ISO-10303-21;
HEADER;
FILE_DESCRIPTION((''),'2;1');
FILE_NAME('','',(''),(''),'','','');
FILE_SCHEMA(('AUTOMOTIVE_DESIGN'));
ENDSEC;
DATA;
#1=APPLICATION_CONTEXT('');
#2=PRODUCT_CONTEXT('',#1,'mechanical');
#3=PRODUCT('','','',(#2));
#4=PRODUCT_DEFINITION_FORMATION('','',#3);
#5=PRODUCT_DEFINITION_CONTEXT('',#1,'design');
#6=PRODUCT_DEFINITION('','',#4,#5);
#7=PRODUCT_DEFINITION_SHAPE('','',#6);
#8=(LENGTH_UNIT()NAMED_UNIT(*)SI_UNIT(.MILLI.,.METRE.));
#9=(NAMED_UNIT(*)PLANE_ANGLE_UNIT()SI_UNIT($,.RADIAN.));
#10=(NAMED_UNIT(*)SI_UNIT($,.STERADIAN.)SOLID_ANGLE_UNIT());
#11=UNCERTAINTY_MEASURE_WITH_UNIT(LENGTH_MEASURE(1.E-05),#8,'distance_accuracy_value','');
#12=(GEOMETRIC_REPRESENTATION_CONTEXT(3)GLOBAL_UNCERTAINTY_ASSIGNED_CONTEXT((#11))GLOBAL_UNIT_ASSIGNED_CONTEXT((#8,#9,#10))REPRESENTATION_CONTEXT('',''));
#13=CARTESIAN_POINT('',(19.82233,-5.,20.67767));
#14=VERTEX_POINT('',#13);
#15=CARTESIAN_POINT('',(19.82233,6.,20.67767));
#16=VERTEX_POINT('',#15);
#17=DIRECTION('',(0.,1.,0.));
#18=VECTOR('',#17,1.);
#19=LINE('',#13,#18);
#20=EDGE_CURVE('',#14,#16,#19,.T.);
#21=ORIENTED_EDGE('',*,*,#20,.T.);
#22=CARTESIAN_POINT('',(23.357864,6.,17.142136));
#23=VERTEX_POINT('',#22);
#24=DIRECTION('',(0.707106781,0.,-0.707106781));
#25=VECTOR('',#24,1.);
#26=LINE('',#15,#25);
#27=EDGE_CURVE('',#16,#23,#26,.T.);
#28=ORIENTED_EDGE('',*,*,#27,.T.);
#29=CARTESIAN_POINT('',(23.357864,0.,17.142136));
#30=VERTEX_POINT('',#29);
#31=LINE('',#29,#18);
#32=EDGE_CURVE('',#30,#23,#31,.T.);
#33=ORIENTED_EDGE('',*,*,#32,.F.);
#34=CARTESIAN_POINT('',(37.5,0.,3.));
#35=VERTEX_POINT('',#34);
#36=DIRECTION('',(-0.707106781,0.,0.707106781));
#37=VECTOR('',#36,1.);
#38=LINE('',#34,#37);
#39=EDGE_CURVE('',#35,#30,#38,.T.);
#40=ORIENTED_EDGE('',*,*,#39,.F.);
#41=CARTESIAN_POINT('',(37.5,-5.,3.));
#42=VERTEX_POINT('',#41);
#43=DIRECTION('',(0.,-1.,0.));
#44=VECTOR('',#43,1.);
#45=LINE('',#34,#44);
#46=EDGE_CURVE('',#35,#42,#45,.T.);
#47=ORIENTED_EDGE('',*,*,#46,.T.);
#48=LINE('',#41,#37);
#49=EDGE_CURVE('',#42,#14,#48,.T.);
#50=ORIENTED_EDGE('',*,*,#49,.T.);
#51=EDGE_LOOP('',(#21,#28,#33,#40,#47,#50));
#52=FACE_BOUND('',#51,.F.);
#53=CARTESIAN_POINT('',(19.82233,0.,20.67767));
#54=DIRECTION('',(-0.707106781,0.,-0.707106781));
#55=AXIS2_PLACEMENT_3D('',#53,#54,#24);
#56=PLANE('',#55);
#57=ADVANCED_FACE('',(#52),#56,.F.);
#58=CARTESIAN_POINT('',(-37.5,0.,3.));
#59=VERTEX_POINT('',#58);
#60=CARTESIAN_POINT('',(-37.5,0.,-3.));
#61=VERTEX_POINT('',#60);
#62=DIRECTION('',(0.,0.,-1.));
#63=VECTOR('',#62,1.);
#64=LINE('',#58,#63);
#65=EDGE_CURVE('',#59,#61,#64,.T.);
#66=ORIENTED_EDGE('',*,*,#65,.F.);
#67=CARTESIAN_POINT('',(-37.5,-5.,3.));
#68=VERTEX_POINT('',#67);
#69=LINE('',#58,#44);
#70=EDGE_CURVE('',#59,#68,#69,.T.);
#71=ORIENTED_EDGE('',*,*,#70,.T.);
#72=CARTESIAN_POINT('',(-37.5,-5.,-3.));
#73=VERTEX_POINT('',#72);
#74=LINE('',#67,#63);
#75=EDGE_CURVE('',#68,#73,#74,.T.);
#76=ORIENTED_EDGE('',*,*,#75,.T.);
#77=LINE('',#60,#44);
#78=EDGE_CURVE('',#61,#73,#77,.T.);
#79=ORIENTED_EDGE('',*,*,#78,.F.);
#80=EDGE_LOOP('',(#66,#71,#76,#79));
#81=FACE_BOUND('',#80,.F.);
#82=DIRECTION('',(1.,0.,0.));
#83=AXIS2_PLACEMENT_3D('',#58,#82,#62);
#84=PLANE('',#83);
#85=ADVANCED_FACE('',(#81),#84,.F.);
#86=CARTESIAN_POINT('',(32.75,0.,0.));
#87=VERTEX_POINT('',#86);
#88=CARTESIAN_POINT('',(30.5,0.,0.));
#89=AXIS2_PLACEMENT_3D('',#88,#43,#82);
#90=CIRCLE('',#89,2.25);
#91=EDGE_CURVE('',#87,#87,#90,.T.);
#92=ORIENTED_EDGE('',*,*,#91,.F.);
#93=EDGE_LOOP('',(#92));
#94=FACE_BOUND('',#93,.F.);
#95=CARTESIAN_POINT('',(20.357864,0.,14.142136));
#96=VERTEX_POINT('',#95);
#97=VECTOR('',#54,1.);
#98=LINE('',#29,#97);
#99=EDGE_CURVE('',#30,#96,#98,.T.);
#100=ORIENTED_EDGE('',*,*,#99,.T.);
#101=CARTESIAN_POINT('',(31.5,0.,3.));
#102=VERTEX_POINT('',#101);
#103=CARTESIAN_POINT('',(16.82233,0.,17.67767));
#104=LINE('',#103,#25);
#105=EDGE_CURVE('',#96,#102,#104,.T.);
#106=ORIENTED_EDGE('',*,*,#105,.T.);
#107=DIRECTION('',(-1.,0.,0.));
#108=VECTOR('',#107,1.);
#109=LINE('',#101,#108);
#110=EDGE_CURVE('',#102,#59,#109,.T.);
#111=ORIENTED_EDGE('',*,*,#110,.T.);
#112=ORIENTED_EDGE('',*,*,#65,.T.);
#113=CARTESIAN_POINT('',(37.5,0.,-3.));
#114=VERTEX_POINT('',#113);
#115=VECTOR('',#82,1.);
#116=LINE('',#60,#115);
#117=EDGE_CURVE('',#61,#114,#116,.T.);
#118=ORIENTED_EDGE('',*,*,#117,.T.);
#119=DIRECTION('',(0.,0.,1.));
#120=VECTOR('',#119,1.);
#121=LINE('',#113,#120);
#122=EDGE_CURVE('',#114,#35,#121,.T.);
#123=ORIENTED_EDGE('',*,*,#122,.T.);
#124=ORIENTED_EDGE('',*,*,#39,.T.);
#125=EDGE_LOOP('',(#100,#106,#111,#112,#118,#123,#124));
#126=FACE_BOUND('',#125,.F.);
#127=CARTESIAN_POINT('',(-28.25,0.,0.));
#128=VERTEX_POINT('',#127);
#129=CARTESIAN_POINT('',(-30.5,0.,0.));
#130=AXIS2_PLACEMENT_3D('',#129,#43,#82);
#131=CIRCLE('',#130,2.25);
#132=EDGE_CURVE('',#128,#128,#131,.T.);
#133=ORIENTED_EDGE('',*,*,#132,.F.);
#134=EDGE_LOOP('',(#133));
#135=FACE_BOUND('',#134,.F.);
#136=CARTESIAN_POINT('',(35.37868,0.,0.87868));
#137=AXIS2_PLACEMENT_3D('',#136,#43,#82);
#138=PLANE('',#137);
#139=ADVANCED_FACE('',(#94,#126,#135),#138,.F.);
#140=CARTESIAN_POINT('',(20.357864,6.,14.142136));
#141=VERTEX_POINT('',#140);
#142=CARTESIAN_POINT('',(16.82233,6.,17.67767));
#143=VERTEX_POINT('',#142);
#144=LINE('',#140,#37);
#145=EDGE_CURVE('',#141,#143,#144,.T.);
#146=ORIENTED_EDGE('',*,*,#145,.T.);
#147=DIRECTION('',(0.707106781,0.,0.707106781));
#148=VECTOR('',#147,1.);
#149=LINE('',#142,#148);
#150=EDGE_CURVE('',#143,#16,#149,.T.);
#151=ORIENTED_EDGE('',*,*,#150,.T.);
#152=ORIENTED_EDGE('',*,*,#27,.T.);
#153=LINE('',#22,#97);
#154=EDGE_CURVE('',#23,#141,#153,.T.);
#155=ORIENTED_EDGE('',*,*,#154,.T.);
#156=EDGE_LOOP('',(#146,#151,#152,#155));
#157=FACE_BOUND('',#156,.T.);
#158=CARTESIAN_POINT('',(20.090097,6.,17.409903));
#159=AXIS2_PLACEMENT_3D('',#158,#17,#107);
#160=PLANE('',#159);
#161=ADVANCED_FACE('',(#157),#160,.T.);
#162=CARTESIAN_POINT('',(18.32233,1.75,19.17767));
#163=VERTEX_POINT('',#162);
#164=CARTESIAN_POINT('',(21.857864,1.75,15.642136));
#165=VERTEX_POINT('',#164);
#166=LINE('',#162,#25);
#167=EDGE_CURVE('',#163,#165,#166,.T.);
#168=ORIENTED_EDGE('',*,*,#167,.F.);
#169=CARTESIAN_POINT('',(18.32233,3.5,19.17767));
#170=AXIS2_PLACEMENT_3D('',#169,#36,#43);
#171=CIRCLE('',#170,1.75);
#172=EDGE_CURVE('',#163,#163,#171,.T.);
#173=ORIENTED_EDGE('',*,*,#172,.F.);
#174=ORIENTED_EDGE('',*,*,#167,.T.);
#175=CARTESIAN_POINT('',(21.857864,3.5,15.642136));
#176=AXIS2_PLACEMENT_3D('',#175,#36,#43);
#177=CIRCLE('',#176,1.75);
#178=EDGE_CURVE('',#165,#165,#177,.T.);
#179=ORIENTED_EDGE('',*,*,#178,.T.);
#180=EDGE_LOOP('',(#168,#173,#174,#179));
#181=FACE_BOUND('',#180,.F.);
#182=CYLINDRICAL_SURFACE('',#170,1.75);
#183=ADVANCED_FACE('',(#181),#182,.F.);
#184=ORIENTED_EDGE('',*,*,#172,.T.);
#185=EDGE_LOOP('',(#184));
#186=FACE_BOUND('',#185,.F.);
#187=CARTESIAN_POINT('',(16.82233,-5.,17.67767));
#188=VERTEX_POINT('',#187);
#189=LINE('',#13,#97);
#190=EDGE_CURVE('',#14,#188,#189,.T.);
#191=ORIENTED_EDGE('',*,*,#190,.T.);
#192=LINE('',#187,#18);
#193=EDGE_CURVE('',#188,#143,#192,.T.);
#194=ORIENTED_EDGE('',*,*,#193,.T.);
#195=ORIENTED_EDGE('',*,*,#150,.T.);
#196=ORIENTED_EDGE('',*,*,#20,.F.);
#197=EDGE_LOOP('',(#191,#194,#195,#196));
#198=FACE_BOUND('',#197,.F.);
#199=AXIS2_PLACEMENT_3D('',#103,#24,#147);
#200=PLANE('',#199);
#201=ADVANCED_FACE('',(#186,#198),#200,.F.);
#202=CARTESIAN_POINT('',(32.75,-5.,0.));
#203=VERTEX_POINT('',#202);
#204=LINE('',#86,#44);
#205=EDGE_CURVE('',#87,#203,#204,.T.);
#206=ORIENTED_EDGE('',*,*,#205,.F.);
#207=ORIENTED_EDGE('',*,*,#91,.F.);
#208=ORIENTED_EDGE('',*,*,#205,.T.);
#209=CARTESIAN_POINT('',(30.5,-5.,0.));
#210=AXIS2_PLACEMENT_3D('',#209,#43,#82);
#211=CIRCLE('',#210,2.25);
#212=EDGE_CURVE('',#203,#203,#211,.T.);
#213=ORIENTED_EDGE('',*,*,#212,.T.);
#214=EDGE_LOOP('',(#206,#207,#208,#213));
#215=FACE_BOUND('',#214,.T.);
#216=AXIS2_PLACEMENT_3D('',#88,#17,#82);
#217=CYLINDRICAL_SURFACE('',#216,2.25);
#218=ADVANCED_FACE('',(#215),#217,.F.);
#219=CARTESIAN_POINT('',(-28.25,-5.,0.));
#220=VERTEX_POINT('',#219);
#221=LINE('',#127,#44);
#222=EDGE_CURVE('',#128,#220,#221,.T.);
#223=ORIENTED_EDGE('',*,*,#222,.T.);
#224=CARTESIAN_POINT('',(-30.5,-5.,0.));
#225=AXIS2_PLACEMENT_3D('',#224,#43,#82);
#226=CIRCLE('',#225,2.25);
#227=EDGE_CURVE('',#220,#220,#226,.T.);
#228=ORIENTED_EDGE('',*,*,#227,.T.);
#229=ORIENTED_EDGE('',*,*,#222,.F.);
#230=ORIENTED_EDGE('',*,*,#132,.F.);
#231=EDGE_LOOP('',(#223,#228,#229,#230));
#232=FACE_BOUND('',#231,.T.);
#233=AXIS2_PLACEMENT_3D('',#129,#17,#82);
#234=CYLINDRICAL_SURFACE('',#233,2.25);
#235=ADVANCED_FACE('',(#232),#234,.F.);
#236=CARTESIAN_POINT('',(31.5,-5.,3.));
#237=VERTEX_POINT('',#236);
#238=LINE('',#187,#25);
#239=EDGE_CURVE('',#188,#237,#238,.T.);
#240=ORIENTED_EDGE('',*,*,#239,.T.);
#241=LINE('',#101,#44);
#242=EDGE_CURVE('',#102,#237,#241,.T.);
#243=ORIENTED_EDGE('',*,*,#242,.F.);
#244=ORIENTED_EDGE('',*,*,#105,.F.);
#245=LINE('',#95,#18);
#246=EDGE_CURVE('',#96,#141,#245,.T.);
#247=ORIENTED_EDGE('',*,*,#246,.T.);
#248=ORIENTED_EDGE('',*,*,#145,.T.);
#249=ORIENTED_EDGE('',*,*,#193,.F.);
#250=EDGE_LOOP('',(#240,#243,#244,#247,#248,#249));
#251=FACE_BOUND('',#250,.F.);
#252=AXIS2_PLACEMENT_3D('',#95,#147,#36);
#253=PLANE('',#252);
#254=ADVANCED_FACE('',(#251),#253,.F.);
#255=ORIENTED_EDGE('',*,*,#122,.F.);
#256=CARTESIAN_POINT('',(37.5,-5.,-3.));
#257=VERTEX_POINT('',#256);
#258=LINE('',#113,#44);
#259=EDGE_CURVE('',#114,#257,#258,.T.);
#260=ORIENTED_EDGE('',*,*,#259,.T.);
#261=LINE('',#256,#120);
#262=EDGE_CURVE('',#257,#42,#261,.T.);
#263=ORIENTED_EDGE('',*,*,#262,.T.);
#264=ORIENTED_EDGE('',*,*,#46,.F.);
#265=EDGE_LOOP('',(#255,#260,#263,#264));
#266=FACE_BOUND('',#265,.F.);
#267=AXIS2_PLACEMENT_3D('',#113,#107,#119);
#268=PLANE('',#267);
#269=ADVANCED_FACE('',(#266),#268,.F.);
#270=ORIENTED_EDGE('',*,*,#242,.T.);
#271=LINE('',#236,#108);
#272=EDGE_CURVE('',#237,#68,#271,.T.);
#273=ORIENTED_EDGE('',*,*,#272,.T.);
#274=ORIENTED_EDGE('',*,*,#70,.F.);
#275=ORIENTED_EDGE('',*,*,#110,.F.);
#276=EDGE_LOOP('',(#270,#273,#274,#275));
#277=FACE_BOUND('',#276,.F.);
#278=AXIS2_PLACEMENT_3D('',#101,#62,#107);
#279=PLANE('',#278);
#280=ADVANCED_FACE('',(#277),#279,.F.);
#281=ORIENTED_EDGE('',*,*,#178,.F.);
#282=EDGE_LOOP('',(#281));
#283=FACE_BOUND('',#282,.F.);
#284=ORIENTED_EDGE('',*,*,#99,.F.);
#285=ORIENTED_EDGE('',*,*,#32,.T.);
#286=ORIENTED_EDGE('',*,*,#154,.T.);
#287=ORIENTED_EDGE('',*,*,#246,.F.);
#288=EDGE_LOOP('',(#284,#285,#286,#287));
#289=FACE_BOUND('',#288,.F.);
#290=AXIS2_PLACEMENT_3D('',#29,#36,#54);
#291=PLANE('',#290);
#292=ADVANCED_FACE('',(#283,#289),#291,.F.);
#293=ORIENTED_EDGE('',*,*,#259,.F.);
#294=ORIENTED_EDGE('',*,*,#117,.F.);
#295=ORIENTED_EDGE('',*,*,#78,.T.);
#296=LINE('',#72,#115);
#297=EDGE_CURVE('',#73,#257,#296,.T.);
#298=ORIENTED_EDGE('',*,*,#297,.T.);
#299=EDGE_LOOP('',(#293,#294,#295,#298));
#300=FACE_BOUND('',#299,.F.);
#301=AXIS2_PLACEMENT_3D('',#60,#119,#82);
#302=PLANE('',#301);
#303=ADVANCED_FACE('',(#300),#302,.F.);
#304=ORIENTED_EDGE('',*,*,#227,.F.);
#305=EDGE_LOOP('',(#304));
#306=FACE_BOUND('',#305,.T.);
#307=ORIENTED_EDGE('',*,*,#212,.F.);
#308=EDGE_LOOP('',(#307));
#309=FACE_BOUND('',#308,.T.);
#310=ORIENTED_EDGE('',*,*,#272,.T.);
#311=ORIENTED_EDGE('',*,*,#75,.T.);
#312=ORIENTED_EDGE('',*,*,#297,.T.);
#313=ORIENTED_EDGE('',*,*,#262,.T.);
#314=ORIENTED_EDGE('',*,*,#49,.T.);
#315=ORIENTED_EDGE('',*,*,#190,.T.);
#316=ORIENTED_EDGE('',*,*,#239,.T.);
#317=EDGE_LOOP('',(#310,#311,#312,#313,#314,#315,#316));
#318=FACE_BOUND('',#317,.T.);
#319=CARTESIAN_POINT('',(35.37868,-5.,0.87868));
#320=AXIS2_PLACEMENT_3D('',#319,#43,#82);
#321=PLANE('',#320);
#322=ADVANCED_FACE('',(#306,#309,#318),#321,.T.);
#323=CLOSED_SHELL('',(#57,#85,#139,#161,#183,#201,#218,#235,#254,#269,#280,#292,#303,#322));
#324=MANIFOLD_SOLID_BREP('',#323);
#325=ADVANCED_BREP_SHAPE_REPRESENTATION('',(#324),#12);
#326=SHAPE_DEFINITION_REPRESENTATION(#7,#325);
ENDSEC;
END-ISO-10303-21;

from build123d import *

# Parameters (mm, degrees)
F0_R     = 2.25
F1_DEPTH = 5
F3_DEPTH = 6
F4_R     = 1.75
F5_DEPTH = 29.243641


with BuildPart() as f1:
    # F0 (on Front) → F1 (new body)
    with BuildSketch(Plane.XZ):
        Polygon((37.5, -3), (37.5, 3), (31.5, 3), align=None)
        Polygon((31.5, 3), (37.5, 3), (19.82233, 20.67767), (16.82233, 17.67767), align=None)
        Polygon((37.5, -3), (31.5, 3), (-37.5, 3), (-37.5, -3), align=None)
        with Locations((-30.5, 0)):
            Circle(F0_R, mode=Mode.SUBTRACT)
        with Locations((30.5, 0)):
            Circle(F0_R, mode=Mode.SUBTRACT)
    extrude(amount=F1_DEPTH)

    # F2 (on face) → F3 (join)
    with BuildSketch(Plane(origin=(0, 0, 0), x_dir=(-1, 0, 0), z_dir=(0, 1, 0))):
        Polygon((-20.357864, 14.142136), (-16.82233, 17.67767), (-19.82233, 20.67767), (-23.357864, 17.142136), align=None)
    extrude(amount=F3_DEPTH)

    # F4 (on face) → F5 (cut, through all)
    with BuildSketch(Plane(origin=(-0.42767, 0, 0.42767), x_dir=(0, -1, 0), z_dir=(-0.707107, 0, 0.707107))):
        with Locations((-3.5, 26.516504)):
            Circle(F4_R)
    extrude(amount=-F5_DEPTH, mode=Mode.SUBTRACT)


solid = f1.part
